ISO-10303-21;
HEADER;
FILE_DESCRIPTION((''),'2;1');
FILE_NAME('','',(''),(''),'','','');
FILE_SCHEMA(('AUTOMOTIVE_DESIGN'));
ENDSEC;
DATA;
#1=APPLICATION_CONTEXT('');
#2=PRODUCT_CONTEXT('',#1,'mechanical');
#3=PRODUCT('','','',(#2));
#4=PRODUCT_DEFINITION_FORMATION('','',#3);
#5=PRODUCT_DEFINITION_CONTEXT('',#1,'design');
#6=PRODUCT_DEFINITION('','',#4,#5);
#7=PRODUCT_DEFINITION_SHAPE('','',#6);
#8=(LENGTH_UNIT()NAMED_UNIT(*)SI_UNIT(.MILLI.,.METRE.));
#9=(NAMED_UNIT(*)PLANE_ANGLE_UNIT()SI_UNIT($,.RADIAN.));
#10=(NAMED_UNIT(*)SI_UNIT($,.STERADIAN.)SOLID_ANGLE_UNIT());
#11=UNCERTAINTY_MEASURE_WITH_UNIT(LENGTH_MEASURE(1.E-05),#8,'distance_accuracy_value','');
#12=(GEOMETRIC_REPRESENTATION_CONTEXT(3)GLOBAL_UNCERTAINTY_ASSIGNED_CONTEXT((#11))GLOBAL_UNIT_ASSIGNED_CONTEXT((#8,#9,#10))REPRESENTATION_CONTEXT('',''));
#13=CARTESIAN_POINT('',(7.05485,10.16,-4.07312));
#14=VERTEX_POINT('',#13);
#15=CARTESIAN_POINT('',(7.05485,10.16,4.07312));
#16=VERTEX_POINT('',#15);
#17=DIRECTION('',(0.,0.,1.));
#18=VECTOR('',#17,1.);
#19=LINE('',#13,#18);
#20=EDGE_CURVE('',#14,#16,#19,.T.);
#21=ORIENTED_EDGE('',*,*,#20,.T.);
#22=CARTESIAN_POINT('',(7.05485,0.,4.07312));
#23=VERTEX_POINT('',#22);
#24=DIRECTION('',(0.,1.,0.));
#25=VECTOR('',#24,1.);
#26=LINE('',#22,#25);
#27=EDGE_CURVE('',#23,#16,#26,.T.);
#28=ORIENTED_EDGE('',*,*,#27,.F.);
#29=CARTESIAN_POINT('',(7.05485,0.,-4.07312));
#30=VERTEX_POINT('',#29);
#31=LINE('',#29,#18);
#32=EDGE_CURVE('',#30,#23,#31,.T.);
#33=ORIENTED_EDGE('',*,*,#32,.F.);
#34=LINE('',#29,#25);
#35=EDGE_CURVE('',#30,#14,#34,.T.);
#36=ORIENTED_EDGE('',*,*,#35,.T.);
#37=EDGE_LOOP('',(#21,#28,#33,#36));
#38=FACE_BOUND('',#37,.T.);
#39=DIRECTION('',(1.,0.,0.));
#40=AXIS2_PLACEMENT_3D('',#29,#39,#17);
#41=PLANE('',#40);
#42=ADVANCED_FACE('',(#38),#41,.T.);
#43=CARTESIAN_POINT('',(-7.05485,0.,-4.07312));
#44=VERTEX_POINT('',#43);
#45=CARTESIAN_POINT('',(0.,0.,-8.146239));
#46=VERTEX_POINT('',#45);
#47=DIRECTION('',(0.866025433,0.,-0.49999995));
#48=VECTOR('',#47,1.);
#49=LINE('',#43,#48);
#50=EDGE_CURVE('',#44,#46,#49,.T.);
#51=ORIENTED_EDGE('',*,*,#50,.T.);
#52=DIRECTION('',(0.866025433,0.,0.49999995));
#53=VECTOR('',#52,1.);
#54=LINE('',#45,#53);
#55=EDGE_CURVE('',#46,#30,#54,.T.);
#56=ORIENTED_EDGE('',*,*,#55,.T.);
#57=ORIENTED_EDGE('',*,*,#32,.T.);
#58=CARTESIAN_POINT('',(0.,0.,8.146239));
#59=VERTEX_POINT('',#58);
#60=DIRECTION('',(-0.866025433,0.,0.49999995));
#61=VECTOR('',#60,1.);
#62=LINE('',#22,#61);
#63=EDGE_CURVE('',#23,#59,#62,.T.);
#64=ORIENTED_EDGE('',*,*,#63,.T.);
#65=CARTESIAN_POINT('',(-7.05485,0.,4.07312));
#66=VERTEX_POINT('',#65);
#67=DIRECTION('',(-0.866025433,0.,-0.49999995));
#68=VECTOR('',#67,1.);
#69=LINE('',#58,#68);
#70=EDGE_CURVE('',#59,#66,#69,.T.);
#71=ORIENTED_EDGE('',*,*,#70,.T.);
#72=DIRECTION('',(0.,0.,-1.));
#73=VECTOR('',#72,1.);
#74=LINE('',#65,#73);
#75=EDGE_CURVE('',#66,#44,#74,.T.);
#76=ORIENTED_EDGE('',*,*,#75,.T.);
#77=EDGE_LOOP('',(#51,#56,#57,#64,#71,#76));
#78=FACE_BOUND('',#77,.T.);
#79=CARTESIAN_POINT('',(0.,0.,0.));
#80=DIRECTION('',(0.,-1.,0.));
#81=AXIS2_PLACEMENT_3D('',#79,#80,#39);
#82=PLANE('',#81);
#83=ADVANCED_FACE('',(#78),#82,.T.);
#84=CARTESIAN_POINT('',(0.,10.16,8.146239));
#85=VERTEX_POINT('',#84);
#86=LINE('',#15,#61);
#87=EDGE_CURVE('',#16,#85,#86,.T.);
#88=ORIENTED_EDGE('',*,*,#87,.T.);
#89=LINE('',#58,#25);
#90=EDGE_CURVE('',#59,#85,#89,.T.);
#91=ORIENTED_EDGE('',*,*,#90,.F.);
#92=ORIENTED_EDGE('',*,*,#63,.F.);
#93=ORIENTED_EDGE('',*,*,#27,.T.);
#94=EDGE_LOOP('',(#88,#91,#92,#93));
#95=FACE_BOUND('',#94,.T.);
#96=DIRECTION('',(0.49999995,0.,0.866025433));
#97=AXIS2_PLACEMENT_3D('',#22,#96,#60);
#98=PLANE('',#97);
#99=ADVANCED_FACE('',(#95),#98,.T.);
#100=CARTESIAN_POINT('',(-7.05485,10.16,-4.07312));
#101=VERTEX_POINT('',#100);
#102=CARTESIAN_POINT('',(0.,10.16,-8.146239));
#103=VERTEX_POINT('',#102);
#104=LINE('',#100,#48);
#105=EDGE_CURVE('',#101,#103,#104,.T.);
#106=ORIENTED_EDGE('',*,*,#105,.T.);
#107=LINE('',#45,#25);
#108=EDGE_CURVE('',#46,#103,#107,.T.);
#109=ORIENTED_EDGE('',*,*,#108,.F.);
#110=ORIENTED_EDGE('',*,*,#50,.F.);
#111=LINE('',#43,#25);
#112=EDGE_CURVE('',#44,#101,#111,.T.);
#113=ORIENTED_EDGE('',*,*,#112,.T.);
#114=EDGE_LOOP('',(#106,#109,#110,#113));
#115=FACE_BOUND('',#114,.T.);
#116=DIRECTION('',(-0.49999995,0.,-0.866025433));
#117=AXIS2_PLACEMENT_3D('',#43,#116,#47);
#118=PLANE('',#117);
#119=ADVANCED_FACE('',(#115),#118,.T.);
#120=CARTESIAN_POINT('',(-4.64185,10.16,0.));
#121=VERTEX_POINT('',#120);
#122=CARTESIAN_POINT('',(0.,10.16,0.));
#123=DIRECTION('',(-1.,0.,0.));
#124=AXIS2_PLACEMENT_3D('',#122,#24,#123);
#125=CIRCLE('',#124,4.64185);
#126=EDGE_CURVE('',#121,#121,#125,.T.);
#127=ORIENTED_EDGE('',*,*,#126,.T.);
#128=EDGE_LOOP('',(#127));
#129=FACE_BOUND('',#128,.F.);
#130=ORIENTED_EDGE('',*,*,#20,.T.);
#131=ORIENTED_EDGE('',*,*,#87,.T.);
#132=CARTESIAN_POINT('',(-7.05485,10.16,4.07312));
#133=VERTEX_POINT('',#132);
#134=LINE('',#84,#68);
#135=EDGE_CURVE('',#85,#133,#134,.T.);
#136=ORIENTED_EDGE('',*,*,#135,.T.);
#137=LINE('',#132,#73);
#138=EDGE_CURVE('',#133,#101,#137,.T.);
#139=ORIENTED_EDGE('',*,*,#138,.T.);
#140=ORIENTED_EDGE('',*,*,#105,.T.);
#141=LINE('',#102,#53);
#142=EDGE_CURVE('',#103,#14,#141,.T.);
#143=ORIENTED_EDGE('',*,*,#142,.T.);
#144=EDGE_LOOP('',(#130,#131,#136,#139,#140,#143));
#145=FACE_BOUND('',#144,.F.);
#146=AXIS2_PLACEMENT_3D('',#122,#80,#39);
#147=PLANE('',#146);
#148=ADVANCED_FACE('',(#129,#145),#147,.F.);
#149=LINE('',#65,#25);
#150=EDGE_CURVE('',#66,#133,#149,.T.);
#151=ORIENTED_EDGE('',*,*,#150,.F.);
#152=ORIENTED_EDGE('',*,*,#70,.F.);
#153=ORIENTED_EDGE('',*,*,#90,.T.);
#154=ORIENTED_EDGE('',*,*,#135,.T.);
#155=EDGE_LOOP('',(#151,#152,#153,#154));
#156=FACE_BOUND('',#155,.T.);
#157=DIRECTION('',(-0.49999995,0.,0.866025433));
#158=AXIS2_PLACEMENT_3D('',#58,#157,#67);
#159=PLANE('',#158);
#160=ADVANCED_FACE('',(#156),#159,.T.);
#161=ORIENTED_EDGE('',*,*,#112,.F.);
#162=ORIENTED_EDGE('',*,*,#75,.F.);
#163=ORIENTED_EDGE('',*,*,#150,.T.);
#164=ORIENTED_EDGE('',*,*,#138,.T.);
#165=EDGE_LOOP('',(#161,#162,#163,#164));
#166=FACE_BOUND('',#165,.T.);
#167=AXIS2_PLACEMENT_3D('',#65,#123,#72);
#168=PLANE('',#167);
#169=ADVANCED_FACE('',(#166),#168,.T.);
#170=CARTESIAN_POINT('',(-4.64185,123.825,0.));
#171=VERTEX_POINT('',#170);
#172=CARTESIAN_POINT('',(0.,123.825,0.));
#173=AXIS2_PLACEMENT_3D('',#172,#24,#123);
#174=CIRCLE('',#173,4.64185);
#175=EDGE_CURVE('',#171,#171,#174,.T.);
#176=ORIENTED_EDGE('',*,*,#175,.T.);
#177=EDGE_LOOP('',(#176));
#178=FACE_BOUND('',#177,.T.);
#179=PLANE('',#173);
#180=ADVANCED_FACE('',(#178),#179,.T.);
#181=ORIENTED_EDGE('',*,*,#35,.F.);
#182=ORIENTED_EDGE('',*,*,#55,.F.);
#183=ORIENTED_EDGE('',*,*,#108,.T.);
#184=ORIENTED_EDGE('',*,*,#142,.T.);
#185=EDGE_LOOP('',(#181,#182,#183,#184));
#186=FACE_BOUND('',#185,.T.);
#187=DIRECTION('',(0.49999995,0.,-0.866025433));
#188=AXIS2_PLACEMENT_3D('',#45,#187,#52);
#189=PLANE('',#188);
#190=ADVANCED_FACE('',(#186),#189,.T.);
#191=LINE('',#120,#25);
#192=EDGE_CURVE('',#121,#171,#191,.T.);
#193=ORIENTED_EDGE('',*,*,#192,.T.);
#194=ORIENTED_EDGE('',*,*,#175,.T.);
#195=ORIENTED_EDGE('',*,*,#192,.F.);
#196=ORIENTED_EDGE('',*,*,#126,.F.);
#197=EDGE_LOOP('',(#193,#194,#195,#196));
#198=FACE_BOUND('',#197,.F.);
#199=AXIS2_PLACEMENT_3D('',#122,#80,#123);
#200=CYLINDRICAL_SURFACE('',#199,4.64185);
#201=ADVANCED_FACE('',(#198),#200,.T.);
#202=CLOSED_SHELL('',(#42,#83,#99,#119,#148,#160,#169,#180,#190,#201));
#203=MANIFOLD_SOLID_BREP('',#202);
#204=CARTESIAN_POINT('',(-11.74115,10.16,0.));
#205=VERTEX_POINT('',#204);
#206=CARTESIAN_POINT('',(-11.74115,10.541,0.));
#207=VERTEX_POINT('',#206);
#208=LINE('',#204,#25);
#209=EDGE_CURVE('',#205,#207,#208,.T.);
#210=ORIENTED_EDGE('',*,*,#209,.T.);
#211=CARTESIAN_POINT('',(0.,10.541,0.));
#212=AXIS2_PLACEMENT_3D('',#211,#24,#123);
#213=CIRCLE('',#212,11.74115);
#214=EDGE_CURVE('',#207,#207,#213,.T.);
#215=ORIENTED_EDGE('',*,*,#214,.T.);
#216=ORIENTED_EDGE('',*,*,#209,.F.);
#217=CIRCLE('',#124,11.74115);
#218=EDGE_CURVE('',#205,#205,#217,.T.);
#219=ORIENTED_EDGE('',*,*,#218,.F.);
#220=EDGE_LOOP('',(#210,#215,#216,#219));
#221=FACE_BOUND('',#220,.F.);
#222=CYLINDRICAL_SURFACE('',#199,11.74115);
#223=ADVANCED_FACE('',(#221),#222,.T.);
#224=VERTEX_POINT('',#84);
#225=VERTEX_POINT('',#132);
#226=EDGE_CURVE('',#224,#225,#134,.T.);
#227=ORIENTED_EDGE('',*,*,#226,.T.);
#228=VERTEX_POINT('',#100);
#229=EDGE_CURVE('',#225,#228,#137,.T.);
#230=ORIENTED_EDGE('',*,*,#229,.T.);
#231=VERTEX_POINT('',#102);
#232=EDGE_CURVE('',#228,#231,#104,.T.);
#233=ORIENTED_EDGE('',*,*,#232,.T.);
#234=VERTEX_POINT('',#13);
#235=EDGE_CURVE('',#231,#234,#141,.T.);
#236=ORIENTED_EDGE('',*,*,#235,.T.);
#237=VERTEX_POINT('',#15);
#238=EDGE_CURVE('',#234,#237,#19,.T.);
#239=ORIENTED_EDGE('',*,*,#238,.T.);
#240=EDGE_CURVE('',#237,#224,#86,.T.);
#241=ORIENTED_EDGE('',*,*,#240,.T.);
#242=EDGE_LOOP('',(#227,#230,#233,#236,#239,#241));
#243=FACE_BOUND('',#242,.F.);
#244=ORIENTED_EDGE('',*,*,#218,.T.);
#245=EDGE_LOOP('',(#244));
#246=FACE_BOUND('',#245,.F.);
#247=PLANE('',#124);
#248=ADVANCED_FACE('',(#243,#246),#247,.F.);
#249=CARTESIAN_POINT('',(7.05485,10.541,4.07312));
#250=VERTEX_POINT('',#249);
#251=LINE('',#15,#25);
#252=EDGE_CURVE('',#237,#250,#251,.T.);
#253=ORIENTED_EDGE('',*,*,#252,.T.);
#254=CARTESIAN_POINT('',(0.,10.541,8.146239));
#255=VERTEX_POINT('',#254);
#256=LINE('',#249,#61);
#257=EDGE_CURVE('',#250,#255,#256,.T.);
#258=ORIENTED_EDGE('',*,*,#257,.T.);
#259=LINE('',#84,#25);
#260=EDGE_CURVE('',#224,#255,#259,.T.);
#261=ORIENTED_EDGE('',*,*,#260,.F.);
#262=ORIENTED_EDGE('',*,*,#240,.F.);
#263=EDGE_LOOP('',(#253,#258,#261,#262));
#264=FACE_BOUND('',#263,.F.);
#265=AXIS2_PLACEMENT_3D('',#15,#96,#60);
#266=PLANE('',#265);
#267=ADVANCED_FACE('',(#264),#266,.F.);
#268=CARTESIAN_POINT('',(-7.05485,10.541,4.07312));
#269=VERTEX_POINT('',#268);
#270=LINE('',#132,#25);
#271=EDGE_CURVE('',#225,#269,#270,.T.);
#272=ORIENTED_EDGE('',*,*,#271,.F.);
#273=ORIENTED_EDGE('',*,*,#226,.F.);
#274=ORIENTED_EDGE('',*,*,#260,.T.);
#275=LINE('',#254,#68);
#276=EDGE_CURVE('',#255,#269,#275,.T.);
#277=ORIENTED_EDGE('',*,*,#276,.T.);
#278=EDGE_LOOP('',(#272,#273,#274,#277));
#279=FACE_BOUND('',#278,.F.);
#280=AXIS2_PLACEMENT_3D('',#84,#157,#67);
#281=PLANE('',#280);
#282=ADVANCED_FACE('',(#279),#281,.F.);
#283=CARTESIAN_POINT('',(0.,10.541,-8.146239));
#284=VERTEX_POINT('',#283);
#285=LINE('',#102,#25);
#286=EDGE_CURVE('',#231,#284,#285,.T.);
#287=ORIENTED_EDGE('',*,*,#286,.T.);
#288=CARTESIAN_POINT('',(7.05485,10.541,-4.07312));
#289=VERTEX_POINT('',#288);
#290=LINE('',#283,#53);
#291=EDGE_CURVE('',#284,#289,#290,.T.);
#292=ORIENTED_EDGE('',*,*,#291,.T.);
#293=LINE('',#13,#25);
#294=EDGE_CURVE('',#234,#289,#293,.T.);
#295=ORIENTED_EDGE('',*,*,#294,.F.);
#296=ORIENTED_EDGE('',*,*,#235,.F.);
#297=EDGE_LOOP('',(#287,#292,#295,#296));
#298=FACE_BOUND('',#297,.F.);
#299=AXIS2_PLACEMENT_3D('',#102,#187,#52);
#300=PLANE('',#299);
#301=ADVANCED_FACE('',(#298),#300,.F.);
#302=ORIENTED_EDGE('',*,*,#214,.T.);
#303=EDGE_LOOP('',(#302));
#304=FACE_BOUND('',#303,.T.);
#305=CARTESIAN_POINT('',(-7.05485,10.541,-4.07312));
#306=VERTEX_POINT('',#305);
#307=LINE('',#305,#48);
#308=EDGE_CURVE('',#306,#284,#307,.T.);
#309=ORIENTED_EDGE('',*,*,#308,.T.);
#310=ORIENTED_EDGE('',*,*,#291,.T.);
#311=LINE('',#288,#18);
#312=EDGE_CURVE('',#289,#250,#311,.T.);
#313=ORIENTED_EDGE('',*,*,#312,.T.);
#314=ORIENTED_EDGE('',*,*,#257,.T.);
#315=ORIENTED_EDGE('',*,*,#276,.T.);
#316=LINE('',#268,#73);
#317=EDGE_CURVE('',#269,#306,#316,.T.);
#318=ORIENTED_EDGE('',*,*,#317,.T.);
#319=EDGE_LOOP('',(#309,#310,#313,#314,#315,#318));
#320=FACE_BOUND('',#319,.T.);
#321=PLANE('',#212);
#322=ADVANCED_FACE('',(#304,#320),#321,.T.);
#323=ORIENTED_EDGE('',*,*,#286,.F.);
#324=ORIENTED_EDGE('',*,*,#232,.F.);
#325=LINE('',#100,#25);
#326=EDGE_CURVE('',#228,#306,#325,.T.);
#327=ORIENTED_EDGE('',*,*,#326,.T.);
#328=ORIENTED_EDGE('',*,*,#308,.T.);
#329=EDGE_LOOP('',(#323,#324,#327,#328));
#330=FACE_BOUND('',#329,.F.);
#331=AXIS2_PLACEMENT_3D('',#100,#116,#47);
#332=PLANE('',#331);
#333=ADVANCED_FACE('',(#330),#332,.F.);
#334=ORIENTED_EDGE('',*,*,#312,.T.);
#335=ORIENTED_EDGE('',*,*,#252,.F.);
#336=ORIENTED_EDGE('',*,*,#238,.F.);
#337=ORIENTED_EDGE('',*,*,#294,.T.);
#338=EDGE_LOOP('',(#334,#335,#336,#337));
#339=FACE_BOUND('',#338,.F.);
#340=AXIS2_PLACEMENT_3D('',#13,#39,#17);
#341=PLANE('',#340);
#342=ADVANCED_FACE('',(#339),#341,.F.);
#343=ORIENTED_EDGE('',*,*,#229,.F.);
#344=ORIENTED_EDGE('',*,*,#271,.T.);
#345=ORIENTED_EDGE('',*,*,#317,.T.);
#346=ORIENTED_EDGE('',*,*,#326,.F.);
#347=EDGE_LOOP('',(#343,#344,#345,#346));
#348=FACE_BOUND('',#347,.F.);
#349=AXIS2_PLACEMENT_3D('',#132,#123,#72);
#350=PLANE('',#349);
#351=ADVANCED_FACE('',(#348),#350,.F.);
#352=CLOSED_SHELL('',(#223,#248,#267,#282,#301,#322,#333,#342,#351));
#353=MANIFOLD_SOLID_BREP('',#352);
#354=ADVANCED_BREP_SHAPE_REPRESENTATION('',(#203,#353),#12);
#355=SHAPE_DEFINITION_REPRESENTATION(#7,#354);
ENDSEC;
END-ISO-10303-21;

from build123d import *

# Parameters (mm, degrees)
F1_DEPTH = 10.16
F3_R     = 11.74115
F4_DEPTH = 0.381
F2_R     = 4.64185
F5_DEPTH = 113.665


with BuildPart() as f1:
    # F0 (on Front) → F1 (new body)
    with BuildSketch(Plane.XZ):
        Polygon((7.05485, -4.07312), (7.05485, 4.07312), (0, 8.146239), (-7.05485, 4.07312), (-7.05485, -4.07312), (0, -8.146239), align=None)
    extrude(amount=-F1_DEPTH)

    # F2 (on face) → F5 (join)
    with BuildSketch(Plane(origin=(0, 10.16, 0), x_dir=(-1, 0, 0), z_dir=(0, 1, 0))):
        Circle(F2_R)
    extrude(amount=F5_DEPTH)


with BuildPart() as f4:
    # F3 (on face) → F4 (new body)
    with BuildSketch(Plane(origin=(0, 10.16, 0), x_dir=(-1, 0, 0), z_dir=(0, 1, 0))):
        Circle(F3_R)
        Polygon((-7.05485, -4.07312), (-7.05485, 4.07312), (0, 8.146239), (7.05485, 4.07312), (7.05485, -4.07312), (0, -8.146239), align=None, mode=Mode.SUBTRACT)
    extrude(amount=F4_DEPTH)


solid = Compound([f1.part, f4.part])
